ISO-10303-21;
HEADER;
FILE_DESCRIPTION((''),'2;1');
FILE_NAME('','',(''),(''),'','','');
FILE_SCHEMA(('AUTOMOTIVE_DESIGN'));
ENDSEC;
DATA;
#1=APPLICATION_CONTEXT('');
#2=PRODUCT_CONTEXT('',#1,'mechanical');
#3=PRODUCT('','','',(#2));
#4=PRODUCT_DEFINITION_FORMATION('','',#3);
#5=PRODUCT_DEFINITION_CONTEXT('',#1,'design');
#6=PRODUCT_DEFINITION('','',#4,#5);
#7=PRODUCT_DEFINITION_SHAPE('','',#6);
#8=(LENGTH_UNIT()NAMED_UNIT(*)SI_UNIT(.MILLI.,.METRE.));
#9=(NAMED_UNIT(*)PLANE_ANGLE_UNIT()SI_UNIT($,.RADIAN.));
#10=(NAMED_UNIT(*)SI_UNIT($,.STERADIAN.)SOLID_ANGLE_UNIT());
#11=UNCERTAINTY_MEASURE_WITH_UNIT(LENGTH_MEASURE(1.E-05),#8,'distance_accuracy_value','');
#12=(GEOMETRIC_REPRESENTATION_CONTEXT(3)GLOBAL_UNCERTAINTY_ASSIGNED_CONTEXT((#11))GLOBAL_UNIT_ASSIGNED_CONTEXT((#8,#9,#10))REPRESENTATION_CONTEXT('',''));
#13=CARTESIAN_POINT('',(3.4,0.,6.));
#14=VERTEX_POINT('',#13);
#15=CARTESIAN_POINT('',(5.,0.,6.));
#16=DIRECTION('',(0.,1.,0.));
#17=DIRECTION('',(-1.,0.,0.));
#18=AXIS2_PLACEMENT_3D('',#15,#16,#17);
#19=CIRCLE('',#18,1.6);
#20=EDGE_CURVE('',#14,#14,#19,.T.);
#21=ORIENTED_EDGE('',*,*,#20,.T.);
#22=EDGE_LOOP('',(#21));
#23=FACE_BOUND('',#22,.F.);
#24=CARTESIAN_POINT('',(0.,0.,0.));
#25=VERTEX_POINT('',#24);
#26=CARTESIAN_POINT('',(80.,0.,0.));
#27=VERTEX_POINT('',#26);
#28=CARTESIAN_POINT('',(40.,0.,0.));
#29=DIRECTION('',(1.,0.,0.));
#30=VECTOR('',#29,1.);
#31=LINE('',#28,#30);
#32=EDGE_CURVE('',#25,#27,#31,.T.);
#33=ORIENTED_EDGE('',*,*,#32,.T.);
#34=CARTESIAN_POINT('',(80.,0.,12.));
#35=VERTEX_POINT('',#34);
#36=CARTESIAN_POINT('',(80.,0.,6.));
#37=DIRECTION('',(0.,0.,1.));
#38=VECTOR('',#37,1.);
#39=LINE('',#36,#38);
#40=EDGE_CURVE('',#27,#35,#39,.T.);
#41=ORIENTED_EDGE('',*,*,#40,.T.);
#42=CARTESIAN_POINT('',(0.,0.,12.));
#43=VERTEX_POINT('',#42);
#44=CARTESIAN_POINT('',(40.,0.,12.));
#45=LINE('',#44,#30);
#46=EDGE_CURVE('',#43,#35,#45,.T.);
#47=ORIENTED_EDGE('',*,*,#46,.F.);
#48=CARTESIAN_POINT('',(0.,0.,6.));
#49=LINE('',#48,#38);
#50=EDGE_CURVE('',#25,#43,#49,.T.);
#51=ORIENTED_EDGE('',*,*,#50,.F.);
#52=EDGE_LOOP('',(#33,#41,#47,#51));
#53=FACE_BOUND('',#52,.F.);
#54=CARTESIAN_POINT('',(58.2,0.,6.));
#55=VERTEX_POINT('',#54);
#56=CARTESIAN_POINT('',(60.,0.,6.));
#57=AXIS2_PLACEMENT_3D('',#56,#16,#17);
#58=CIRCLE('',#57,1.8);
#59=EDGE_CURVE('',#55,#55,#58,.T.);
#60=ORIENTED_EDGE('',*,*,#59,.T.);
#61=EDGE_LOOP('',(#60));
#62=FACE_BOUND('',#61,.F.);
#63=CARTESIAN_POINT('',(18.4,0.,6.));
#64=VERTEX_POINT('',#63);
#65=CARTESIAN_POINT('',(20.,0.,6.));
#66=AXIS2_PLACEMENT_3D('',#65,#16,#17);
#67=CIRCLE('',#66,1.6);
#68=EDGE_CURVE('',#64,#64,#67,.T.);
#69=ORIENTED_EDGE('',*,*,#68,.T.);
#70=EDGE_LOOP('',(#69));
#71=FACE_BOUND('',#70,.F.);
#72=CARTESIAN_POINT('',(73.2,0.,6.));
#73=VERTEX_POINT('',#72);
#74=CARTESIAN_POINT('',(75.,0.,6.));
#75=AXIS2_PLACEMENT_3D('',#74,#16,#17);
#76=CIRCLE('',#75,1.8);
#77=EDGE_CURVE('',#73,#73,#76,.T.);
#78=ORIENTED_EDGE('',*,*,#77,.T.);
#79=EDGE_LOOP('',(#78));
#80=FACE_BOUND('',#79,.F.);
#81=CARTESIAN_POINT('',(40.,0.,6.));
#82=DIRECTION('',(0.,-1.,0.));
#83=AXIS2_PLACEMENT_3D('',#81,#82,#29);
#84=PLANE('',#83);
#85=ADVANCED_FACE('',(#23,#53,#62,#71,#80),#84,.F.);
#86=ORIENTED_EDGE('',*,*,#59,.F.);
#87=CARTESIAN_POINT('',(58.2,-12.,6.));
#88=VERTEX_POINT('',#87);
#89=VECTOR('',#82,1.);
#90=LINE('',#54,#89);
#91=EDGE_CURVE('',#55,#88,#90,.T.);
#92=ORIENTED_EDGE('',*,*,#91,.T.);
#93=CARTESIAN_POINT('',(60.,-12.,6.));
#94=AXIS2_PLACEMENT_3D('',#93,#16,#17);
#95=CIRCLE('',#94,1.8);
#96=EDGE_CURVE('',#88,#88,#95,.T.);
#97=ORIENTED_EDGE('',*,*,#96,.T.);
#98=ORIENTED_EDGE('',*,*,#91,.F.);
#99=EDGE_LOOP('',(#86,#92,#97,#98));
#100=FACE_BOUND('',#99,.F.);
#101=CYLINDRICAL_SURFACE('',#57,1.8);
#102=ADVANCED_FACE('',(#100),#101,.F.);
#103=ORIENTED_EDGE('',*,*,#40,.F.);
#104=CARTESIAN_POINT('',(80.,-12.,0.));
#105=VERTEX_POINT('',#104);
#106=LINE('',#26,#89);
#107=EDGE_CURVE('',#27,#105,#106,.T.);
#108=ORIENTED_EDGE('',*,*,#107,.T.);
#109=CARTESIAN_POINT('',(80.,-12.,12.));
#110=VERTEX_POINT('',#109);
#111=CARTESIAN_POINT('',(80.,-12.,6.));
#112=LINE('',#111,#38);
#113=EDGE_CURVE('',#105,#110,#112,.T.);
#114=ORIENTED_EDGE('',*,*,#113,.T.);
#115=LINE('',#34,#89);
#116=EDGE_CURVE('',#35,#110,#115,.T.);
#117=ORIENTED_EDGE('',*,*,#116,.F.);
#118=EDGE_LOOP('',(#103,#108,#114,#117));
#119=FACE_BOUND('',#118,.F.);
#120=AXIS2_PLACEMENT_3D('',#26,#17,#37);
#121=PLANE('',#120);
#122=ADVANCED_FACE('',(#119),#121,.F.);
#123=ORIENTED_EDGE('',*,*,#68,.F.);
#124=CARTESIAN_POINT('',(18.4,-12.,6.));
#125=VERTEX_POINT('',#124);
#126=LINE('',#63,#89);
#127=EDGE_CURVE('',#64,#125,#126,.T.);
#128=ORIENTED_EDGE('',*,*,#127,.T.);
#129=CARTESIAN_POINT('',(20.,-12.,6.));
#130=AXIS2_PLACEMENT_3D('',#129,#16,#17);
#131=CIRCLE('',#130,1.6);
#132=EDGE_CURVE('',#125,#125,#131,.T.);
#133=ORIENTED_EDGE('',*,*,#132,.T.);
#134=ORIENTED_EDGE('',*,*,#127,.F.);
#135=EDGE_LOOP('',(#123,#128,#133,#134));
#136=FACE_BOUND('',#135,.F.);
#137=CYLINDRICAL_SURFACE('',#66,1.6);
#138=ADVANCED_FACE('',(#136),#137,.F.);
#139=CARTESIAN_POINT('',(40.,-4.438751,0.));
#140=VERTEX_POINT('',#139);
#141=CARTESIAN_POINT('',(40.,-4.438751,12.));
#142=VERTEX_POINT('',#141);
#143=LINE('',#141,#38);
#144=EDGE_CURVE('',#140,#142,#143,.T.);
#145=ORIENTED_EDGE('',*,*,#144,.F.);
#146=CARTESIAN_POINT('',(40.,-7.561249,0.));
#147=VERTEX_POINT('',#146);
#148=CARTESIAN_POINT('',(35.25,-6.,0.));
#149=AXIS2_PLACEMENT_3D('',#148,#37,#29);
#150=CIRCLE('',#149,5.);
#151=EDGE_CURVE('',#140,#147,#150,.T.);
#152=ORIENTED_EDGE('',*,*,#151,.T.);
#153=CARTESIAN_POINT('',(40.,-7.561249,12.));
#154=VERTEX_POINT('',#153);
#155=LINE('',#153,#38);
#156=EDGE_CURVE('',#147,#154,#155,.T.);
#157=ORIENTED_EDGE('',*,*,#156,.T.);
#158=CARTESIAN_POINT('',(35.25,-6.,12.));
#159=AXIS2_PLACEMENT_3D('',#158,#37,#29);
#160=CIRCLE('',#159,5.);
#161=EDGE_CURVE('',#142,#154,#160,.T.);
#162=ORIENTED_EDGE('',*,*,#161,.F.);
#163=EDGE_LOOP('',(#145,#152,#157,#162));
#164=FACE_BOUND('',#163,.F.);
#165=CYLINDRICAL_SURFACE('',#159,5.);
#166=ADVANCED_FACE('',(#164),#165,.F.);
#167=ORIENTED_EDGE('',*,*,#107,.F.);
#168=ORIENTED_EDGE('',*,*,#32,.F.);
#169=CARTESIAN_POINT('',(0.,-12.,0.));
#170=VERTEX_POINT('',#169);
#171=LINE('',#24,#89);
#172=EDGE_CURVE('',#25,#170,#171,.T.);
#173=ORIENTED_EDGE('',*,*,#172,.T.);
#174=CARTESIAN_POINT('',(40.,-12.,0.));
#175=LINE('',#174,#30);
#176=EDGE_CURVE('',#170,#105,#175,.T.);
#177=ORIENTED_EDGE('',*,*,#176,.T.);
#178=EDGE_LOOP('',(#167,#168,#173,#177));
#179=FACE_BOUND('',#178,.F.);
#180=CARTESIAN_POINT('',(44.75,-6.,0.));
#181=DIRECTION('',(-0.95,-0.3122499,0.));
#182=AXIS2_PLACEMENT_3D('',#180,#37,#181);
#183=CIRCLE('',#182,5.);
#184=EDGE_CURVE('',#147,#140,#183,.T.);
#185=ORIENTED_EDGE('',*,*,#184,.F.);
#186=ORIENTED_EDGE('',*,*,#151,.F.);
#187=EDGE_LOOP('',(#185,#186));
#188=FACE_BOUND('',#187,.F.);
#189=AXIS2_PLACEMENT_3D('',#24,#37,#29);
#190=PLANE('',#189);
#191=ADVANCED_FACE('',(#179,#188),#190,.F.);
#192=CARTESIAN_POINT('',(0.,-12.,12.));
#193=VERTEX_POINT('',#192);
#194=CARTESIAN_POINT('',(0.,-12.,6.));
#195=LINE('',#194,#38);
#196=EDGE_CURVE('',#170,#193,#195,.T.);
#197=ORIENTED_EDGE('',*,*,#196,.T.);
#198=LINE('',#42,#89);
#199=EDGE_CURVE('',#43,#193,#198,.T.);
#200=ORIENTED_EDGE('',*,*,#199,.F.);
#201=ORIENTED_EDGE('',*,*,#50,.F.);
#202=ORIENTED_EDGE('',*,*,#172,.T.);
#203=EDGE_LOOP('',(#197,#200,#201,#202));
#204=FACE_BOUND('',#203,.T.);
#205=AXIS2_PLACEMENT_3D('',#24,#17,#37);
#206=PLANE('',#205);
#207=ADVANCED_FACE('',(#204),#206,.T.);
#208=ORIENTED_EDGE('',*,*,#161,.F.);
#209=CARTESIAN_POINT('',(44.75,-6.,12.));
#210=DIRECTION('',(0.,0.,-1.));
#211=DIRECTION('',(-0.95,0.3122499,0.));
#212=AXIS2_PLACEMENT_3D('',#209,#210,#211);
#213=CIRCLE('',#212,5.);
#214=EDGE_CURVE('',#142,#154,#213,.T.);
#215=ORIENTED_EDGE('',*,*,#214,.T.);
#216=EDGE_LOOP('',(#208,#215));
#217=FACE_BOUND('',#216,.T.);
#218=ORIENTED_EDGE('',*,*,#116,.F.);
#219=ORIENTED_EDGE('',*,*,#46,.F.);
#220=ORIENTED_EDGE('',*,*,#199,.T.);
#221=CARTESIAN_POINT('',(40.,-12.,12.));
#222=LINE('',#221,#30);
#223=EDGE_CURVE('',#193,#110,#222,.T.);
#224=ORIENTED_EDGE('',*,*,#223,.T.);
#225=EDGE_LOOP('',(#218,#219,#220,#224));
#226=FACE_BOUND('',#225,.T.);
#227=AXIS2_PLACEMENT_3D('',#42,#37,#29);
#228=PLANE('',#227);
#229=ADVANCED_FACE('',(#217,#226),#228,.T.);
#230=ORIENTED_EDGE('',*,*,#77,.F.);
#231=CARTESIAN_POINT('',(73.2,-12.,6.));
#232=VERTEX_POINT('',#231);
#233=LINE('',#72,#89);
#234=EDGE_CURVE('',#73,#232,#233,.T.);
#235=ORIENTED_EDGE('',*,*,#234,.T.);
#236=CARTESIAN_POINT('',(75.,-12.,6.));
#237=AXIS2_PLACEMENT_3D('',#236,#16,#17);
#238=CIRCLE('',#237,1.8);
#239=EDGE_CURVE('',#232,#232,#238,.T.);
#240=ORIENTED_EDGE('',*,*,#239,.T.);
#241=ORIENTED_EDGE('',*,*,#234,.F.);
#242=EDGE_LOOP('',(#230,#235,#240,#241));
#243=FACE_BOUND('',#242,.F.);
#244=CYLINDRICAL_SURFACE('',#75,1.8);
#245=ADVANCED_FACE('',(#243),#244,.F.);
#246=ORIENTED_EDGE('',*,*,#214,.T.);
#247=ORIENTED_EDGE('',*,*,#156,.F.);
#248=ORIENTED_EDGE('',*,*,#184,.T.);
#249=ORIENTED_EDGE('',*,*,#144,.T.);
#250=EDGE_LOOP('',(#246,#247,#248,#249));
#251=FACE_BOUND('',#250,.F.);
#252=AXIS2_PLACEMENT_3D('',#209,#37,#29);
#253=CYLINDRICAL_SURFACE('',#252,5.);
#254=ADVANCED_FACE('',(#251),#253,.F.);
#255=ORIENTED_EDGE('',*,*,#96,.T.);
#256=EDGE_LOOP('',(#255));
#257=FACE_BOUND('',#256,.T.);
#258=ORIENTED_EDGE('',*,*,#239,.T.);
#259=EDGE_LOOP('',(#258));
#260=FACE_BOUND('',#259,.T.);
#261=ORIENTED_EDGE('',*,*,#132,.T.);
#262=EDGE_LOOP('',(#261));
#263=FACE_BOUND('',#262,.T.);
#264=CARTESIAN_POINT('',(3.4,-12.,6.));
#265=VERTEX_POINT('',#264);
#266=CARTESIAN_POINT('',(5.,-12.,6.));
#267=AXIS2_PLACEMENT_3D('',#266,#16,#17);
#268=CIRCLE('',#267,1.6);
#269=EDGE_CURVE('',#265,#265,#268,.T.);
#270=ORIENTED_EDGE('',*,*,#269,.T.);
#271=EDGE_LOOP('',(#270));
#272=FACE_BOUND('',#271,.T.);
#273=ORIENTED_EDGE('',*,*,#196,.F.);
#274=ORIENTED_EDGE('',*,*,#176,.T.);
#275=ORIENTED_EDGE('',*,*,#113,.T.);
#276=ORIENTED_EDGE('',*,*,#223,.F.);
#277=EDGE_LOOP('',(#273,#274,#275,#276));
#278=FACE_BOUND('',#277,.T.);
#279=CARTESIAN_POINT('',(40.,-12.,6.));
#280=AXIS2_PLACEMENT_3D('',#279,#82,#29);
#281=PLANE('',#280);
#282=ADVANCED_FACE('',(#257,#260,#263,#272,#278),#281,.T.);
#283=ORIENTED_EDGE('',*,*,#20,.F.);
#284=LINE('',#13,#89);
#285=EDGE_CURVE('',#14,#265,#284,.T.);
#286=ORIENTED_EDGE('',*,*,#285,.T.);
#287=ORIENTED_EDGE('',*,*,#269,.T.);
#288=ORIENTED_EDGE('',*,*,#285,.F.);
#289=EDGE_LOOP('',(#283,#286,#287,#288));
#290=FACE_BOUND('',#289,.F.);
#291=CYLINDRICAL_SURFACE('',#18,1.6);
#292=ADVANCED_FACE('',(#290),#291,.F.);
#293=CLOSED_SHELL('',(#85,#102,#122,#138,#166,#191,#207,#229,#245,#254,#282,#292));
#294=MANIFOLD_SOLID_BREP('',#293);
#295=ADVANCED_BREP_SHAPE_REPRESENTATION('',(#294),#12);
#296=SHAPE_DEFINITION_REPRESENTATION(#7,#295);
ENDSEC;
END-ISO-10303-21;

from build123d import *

# Parameters (mm, degrees)
F0_W     = 80
F0_H     = 12
F1_DEPTH = 12
F3_R     = 5
F4_DEPTH = 25
F2_R     = 5
F5_DEPTH = 25
F6_R     = 1.6
F6_R_2   = 1.8
F7_DEPTH = 25


with BuildPart() as f1:
    # F0 (on Front) → F1 (new body)
    with BuildSketch(Plane.XZ):
        with Locations((40, 6)):
            Rectangle(F0_W, F0_H)
    extrude(amount=F1_DEPTH)

    # F3 (on face) → F4 (cut)
    with BuildSketch(Plane.XY.offset(12)):
        with Locations((44.75, -6)):
            Circle(F3_R)
    extrude(amount=-F4_DEPTH, mode=Mode.SUBTRACT)

    # F2 (on face) → F5 (cut)
    with BuildSketch(Plane.XY.offset(12)):
        with Locations((35.25, -6)):
            Circle(F2_R)
    extrude(amount=-F5_DEPTH, mode=Mode.SUBTRACT)

    # F6 (on face) → F7 (cut)
    with BuildSketch(Plane(origin=(0, 0, 0), x_dir=(-1, 0, 0), z_dir=(0, 1, 0))):
        with Locations((-5, 6)):
            Circle(F6_R)
        with Locations((-20, 6)):
            Circle(F6_R)
        with Locations((-75, 6)):
            Circle(F6_R_2)
        with Locations((-60, 6)):
            Circle(F6_R_2)
    extrude(amount=-F7_DEPTH, mode=Mode.SUBTRACT)


solid = f1.part
